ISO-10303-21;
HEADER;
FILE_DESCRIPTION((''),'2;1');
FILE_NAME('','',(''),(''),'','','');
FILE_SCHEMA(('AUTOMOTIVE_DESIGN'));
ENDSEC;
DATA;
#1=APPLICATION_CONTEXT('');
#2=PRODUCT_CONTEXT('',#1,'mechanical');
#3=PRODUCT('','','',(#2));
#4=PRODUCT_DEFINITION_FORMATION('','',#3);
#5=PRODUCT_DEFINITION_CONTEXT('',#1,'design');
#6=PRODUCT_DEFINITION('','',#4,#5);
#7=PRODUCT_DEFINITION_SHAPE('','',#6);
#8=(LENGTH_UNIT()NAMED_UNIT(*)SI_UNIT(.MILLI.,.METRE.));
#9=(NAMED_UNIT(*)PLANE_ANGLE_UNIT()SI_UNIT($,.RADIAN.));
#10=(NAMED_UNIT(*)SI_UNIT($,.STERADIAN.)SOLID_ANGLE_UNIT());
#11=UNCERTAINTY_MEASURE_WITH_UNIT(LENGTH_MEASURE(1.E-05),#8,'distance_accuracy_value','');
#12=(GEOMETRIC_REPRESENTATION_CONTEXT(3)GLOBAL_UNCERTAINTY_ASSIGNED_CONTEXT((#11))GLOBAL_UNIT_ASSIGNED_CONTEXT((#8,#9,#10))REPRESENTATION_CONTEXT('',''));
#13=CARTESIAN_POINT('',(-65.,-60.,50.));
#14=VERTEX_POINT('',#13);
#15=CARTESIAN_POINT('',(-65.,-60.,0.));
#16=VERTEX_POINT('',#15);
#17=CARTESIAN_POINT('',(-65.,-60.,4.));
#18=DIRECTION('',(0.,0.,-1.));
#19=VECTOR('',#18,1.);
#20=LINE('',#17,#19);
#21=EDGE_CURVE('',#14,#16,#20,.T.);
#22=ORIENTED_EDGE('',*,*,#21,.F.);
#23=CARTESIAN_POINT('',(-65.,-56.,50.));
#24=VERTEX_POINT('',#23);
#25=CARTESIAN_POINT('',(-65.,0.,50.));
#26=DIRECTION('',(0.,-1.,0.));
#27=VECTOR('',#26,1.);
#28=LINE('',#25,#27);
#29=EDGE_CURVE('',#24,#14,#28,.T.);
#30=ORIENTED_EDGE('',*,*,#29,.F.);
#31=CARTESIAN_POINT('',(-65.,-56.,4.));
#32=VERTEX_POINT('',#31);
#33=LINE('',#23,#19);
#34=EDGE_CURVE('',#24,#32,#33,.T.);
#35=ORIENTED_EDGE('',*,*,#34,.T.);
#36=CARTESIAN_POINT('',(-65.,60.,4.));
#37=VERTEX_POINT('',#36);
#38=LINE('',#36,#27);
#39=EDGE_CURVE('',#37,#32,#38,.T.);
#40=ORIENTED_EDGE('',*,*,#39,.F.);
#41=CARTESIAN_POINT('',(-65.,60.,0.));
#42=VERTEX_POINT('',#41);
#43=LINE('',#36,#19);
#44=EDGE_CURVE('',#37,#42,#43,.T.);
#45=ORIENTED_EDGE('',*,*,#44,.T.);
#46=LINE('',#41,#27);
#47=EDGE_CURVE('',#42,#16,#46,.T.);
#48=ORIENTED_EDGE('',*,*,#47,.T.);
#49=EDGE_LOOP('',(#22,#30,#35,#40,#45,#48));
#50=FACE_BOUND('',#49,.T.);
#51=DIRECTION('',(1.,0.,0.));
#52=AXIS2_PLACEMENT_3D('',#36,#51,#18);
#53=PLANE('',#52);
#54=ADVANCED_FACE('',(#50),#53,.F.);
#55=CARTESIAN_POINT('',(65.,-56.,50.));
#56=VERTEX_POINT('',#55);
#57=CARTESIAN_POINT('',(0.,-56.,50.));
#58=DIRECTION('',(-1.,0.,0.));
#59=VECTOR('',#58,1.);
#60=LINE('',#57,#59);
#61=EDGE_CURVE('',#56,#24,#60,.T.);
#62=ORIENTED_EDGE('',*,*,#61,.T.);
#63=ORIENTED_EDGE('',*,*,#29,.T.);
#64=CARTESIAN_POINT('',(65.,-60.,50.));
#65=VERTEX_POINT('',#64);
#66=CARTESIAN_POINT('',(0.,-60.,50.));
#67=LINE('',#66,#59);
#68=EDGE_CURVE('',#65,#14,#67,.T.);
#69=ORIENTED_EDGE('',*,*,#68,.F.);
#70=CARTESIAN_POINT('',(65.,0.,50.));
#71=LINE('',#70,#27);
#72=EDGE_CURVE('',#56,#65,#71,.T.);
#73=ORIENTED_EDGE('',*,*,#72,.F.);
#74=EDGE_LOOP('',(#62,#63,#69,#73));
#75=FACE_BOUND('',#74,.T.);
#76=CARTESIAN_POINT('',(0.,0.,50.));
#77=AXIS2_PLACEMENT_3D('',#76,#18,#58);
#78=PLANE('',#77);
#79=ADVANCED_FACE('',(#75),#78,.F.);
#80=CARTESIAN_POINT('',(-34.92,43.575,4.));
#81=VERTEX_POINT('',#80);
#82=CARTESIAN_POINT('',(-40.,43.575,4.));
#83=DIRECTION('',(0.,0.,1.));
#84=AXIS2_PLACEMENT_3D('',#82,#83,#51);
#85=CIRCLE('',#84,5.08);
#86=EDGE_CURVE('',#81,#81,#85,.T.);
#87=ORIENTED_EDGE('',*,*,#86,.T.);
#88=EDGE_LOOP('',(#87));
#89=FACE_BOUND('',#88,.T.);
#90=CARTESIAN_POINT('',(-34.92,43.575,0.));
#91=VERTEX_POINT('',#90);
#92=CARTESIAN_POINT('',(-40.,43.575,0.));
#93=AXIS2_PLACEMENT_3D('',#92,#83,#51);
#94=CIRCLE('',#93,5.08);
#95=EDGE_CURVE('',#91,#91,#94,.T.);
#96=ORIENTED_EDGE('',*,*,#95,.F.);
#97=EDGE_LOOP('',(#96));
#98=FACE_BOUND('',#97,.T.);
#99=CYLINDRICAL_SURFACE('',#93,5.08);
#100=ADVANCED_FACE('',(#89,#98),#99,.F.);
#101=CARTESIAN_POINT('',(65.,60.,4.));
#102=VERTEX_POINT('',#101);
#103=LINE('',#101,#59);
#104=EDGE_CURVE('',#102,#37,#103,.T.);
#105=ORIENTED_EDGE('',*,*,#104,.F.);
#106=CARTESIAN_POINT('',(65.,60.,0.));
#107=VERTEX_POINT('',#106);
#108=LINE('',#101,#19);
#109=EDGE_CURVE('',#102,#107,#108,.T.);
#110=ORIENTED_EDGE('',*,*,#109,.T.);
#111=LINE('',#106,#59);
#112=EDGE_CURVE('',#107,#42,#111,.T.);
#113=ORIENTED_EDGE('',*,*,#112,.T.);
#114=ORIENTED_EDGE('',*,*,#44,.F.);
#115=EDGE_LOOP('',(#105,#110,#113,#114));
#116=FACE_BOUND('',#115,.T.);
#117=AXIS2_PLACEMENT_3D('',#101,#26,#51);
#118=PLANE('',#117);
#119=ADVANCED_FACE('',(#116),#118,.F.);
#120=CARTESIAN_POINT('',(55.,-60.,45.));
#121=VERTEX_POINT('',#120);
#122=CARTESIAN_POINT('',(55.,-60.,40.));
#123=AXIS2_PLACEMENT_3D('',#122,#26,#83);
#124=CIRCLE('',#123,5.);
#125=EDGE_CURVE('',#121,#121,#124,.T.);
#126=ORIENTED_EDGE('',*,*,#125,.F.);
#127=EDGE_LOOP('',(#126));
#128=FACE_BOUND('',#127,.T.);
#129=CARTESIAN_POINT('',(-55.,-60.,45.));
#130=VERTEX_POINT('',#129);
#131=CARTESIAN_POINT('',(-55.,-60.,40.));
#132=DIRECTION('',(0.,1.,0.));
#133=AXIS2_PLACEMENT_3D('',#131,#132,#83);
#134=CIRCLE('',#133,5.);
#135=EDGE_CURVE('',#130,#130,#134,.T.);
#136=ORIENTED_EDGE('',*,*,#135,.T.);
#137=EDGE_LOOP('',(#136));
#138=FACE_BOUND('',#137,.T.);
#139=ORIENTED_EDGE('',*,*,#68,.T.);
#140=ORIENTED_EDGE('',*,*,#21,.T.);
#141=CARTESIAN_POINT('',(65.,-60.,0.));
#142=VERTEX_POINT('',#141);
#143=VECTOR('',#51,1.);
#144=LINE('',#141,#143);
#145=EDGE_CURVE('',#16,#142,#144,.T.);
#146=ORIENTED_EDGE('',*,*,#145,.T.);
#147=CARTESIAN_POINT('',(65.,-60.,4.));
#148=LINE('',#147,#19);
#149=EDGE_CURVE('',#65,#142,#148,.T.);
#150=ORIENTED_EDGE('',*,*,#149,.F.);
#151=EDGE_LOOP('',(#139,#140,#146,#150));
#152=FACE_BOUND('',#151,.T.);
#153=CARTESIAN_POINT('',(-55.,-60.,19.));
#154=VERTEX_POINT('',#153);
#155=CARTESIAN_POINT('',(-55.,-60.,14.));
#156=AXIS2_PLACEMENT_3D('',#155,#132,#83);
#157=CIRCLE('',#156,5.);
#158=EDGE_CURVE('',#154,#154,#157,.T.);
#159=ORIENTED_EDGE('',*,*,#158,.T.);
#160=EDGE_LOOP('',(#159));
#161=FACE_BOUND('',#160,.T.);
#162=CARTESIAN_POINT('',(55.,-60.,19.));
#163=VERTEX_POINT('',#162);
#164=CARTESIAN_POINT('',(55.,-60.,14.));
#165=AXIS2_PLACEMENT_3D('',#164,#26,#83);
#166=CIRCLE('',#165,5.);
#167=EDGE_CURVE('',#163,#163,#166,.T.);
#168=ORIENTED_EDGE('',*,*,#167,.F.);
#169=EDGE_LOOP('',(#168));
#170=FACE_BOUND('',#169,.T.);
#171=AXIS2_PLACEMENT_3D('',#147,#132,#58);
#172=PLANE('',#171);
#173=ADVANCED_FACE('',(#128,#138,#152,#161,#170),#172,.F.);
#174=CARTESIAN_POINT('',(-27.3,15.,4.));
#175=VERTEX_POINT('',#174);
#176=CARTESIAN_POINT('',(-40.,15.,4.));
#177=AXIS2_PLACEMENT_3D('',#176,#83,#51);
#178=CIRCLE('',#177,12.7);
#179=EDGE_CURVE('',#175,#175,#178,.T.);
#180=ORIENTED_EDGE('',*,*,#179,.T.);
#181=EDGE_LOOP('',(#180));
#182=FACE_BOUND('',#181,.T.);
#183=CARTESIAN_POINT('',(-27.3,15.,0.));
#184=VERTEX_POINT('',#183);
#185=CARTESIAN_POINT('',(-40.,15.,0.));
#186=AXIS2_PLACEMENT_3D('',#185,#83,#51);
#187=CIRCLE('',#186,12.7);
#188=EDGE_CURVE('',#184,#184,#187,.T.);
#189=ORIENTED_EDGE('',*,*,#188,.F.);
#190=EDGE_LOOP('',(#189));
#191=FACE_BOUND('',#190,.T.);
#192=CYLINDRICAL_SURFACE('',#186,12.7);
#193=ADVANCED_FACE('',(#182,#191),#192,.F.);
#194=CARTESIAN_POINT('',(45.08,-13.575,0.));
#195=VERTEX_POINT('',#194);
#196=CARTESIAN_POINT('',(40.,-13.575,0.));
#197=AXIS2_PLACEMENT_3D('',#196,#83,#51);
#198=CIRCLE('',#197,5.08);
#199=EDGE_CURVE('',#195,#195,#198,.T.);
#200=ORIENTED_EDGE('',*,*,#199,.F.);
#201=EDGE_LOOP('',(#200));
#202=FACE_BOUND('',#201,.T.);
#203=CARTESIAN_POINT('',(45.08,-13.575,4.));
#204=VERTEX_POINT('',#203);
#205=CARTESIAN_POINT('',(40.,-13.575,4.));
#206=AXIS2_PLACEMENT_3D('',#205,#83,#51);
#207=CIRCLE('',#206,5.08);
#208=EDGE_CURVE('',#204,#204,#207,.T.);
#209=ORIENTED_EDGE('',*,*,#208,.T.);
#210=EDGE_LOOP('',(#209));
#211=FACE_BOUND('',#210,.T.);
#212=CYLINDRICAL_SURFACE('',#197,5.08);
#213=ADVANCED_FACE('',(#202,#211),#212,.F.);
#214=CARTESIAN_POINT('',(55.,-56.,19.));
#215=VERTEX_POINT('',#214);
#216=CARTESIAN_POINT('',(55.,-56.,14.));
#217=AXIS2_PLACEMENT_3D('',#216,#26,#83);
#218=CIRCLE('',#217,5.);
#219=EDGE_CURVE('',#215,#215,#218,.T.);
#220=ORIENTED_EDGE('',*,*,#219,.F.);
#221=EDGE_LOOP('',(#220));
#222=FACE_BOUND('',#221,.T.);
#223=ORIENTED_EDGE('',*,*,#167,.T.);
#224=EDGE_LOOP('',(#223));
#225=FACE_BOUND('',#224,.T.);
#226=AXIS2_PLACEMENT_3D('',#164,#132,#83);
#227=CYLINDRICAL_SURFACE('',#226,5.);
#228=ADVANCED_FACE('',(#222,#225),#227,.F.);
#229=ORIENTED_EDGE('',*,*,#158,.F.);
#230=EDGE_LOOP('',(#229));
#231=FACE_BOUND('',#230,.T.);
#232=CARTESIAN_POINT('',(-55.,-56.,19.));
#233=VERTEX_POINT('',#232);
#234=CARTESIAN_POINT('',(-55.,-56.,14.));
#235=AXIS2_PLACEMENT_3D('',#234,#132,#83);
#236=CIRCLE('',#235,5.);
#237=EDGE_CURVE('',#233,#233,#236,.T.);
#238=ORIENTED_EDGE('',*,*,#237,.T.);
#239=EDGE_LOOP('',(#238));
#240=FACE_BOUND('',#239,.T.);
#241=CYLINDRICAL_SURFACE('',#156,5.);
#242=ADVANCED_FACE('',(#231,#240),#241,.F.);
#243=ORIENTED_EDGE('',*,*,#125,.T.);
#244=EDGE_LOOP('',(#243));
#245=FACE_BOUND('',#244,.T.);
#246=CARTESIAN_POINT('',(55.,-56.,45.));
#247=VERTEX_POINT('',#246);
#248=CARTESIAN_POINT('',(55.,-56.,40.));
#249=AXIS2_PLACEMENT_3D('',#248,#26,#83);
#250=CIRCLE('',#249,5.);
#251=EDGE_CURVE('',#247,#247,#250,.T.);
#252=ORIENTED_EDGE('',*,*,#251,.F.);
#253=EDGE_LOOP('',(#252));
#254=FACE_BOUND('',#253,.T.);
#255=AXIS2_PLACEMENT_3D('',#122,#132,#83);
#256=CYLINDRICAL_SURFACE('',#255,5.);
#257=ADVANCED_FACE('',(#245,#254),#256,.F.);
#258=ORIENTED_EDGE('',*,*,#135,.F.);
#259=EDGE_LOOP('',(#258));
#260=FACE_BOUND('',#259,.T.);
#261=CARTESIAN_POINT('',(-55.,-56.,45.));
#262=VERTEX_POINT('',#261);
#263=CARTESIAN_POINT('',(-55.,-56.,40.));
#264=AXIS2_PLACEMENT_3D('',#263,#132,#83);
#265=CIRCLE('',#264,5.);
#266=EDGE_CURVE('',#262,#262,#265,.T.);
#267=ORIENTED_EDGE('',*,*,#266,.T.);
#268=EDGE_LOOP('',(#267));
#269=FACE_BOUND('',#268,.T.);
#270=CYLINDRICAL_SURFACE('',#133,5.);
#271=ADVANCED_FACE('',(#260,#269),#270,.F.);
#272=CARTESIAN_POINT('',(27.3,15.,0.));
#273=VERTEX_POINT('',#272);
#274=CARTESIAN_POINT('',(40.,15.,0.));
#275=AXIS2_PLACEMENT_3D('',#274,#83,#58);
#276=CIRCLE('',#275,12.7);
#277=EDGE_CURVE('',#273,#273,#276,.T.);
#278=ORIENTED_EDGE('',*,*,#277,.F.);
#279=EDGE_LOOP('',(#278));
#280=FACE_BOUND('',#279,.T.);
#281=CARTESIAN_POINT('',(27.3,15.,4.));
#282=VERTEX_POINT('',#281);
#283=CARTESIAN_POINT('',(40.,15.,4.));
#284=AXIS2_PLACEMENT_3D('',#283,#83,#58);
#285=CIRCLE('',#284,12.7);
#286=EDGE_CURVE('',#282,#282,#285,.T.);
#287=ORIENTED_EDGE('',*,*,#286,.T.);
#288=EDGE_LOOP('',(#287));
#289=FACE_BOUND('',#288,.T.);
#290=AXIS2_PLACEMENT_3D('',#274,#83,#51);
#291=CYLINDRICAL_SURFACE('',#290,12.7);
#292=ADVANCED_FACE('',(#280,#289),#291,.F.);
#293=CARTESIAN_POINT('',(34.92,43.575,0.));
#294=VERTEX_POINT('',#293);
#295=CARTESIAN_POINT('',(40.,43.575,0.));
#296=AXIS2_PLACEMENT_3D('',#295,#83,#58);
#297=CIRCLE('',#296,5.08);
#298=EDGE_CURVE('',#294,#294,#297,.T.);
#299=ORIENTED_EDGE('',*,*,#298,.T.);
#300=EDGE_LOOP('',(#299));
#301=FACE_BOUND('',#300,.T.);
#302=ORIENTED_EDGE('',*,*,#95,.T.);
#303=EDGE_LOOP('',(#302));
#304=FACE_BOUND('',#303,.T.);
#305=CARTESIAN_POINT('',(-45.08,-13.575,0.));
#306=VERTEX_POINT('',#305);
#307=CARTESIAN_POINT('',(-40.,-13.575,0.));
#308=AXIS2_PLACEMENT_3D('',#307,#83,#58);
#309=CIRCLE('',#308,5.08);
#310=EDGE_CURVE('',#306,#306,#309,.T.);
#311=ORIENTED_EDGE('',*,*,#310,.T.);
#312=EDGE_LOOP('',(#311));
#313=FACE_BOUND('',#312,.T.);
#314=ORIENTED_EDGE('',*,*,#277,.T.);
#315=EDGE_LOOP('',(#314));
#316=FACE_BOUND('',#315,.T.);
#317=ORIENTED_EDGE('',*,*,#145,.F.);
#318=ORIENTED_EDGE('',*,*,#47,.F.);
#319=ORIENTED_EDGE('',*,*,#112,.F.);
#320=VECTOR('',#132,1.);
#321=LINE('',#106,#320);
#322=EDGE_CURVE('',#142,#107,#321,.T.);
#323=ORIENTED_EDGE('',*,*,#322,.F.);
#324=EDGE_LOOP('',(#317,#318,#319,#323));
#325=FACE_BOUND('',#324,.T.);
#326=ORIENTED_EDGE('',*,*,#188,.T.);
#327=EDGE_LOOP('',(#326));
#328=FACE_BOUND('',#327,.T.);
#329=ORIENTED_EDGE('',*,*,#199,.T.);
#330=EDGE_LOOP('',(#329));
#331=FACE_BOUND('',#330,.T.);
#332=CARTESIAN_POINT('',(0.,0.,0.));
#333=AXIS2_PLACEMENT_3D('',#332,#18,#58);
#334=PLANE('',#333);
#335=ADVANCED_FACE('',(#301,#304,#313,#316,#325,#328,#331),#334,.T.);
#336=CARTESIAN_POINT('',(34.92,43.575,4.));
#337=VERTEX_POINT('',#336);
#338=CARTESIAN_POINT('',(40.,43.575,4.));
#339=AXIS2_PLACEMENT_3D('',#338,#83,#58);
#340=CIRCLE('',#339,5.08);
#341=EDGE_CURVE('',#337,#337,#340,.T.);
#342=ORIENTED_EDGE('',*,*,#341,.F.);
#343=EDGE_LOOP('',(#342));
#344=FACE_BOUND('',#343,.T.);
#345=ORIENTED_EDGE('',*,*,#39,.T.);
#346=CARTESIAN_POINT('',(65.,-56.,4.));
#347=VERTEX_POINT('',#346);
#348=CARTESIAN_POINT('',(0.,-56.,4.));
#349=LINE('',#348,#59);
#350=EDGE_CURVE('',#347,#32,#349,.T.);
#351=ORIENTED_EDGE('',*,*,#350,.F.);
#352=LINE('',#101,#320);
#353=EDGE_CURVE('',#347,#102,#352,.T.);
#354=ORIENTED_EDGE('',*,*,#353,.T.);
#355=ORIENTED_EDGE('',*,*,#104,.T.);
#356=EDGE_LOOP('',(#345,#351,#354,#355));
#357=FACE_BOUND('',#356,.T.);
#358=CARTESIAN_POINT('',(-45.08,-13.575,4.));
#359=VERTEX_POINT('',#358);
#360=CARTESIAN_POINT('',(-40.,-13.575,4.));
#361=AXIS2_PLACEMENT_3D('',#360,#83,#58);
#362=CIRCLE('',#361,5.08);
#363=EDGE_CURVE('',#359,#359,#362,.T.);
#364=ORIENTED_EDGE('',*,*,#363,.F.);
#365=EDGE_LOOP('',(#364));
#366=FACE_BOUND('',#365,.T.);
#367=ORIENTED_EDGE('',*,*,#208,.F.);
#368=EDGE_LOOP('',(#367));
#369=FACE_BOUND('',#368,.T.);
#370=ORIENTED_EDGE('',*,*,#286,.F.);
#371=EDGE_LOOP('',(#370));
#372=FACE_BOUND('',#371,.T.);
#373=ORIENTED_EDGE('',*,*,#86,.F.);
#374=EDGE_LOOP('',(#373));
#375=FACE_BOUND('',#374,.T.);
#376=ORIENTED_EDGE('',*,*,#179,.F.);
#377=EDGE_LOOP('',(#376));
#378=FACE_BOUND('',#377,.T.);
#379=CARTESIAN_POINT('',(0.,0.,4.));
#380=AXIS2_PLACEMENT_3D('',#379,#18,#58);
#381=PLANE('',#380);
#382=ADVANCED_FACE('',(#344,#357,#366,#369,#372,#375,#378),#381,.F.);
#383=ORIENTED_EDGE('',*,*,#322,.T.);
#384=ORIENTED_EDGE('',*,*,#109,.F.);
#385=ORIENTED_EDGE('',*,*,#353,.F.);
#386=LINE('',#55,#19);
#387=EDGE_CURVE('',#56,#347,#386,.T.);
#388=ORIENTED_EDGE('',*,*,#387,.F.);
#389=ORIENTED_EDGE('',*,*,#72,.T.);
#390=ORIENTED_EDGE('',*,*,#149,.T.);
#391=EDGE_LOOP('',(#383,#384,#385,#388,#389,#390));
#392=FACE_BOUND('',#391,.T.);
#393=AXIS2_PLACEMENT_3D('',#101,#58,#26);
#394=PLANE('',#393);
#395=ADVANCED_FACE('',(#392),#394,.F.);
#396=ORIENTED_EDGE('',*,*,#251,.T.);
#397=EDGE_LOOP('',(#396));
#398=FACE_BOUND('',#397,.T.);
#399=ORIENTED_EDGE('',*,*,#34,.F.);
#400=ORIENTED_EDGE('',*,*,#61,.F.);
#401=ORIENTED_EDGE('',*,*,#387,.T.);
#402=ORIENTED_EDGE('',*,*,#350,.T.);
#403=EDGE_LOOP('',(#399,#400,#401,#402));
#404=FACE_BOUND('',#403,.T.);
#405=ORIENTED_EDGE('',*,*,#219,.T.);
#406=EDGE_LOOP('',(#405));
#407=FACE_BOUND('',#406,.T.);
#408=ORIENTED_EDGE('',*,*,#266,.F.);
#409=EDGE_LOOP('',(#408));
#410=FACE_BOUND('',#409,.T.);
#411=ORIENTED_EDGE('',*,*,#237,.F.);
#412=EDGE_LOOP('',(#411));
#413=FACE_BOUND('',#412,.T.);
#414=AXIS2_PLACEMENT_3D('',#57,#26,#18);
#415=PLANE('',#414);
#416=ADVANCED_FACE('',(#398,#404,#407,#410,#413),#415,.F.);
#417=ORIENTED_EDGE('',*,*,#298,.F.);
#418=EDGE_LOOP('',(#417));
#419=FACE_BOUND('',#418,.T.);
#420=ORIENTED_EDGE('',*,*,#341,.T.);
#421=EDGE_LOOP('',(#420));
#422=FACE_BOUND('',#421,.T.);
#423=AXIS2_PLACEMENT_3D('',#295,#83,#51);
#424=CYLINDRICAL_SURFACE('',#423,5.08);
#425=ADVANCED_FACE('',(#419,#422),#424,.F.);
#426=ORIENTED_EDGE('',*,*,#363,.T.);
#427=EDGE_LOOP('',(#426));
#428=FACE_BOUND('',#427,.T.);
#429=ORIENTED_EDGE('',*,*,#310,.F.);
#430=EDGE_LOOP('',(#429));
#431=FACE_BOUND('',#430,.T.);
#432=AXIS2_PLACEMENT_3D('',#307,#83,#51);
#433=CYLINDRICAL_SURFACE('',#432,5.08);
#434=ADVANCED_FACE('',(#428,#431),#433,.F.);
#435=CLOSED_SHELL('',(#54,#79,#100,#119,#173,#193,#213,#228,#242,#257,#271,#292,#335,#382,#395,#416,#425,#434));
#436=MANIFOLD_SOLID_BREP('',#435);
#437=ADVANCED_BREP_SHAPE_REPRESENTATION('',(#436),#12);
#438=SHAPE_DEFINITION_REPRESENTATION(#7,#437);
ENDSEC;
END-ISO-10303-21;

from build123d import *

# Parameters (mm, degrees)
SKETCH1_W           = 130
SKETCH1_H           = 120
BOSS_EXTRUDE1_DEPTH = 4
SKETCH2_R           = 12.7
SKETCH2_R_2         = 5.08
CUT_EXTRUDE1_DEPTH  = 89.549421229
BOSS_EXTRUDE2_START = -4
SKETCH3_W           = 130
SKETCH3_H           = 4
BOSS_EXTRUDE2_DEPTH = 50
SKETCH5_R           = 5
CUT_EXTRUDE2_DEPTH  = 143.059846544


with BuildPart() as part:
    # Sketch1 → Boss-Extrude1 (new body)
    with BuildSketch(Plane.XY):
        Rectangle(SKETCH1_W, SKETCH1_H)
    extrude(amount=BOSS_EXTRUDE1_DEPTH)

    # Sketch2 → Cut-Extrude1 (cut, through all)
    with BuildSketch(Plane.XY.offset(4)):
        with Locations((-40, 15)):
            Circle(SKETCH2_R)
        with Locations((-40, 43.575)):
            Circle(SKETCH2_R_2)
        with Locations(Location((-40, -13.575, 0), (0, 0, 180))):
            Circle(SKETCH2_R_2)
        with Locations((40, -13.575)):
            Circle(SKETCH2_R_2)
        with Locations(Location((40, 15, 0), (0, 0, 180))):
            Circle(SKETCH2_R)
        with Locations(Location((40, 43.575, 0), (0, 0, 180))):
            Circle(SKETCH2_R_2)
    extrude(amount=-CUT_EXTRUDE1_DEPTH, mode=Mode.SUBTRACT)

    # Sketch3 → Boss-Extrude2 (add)
    with BuildSketch(Plane.XY.offset(4).offset(BOSS_EXTRUDE2_START)):
        with Locations((0, -58)):
            Rectangle(SKETCH3_W, SKETCH3_H)
    extrude(amount=BOSS_EXTRUDE2_DEPTH)

    # Sketch5 → Cut-Extrude2 (cut, through all)
    with BuildSketch(Plane(origin=(0, -56, 0), x_dir=(1, 0, 0), z_dir=(0, 1, 0))):
        with Locations(Location((-55, -14, 0), (0, 0, 270))):
            Circle(SKETCH5_R)
        with Locations(Location((-55, -40, 0), (0, 0, 270))):
            Circle(SKETCH5_R)
    cut_extrude2 = extrude(amount=-CUT_EXTRUDE2_DEPTH, mode=Mode.SUBTRACT)

    # Mirror1: Cut-Extrude2 across plane
    add(cut_extrude2.mirror(Plane(origin=(0, 0, 0), x_dir=(0, 0, 1), z_dir=(1, 0, 0))), mode=Mode.SUBTRACT)


solid = part.part
